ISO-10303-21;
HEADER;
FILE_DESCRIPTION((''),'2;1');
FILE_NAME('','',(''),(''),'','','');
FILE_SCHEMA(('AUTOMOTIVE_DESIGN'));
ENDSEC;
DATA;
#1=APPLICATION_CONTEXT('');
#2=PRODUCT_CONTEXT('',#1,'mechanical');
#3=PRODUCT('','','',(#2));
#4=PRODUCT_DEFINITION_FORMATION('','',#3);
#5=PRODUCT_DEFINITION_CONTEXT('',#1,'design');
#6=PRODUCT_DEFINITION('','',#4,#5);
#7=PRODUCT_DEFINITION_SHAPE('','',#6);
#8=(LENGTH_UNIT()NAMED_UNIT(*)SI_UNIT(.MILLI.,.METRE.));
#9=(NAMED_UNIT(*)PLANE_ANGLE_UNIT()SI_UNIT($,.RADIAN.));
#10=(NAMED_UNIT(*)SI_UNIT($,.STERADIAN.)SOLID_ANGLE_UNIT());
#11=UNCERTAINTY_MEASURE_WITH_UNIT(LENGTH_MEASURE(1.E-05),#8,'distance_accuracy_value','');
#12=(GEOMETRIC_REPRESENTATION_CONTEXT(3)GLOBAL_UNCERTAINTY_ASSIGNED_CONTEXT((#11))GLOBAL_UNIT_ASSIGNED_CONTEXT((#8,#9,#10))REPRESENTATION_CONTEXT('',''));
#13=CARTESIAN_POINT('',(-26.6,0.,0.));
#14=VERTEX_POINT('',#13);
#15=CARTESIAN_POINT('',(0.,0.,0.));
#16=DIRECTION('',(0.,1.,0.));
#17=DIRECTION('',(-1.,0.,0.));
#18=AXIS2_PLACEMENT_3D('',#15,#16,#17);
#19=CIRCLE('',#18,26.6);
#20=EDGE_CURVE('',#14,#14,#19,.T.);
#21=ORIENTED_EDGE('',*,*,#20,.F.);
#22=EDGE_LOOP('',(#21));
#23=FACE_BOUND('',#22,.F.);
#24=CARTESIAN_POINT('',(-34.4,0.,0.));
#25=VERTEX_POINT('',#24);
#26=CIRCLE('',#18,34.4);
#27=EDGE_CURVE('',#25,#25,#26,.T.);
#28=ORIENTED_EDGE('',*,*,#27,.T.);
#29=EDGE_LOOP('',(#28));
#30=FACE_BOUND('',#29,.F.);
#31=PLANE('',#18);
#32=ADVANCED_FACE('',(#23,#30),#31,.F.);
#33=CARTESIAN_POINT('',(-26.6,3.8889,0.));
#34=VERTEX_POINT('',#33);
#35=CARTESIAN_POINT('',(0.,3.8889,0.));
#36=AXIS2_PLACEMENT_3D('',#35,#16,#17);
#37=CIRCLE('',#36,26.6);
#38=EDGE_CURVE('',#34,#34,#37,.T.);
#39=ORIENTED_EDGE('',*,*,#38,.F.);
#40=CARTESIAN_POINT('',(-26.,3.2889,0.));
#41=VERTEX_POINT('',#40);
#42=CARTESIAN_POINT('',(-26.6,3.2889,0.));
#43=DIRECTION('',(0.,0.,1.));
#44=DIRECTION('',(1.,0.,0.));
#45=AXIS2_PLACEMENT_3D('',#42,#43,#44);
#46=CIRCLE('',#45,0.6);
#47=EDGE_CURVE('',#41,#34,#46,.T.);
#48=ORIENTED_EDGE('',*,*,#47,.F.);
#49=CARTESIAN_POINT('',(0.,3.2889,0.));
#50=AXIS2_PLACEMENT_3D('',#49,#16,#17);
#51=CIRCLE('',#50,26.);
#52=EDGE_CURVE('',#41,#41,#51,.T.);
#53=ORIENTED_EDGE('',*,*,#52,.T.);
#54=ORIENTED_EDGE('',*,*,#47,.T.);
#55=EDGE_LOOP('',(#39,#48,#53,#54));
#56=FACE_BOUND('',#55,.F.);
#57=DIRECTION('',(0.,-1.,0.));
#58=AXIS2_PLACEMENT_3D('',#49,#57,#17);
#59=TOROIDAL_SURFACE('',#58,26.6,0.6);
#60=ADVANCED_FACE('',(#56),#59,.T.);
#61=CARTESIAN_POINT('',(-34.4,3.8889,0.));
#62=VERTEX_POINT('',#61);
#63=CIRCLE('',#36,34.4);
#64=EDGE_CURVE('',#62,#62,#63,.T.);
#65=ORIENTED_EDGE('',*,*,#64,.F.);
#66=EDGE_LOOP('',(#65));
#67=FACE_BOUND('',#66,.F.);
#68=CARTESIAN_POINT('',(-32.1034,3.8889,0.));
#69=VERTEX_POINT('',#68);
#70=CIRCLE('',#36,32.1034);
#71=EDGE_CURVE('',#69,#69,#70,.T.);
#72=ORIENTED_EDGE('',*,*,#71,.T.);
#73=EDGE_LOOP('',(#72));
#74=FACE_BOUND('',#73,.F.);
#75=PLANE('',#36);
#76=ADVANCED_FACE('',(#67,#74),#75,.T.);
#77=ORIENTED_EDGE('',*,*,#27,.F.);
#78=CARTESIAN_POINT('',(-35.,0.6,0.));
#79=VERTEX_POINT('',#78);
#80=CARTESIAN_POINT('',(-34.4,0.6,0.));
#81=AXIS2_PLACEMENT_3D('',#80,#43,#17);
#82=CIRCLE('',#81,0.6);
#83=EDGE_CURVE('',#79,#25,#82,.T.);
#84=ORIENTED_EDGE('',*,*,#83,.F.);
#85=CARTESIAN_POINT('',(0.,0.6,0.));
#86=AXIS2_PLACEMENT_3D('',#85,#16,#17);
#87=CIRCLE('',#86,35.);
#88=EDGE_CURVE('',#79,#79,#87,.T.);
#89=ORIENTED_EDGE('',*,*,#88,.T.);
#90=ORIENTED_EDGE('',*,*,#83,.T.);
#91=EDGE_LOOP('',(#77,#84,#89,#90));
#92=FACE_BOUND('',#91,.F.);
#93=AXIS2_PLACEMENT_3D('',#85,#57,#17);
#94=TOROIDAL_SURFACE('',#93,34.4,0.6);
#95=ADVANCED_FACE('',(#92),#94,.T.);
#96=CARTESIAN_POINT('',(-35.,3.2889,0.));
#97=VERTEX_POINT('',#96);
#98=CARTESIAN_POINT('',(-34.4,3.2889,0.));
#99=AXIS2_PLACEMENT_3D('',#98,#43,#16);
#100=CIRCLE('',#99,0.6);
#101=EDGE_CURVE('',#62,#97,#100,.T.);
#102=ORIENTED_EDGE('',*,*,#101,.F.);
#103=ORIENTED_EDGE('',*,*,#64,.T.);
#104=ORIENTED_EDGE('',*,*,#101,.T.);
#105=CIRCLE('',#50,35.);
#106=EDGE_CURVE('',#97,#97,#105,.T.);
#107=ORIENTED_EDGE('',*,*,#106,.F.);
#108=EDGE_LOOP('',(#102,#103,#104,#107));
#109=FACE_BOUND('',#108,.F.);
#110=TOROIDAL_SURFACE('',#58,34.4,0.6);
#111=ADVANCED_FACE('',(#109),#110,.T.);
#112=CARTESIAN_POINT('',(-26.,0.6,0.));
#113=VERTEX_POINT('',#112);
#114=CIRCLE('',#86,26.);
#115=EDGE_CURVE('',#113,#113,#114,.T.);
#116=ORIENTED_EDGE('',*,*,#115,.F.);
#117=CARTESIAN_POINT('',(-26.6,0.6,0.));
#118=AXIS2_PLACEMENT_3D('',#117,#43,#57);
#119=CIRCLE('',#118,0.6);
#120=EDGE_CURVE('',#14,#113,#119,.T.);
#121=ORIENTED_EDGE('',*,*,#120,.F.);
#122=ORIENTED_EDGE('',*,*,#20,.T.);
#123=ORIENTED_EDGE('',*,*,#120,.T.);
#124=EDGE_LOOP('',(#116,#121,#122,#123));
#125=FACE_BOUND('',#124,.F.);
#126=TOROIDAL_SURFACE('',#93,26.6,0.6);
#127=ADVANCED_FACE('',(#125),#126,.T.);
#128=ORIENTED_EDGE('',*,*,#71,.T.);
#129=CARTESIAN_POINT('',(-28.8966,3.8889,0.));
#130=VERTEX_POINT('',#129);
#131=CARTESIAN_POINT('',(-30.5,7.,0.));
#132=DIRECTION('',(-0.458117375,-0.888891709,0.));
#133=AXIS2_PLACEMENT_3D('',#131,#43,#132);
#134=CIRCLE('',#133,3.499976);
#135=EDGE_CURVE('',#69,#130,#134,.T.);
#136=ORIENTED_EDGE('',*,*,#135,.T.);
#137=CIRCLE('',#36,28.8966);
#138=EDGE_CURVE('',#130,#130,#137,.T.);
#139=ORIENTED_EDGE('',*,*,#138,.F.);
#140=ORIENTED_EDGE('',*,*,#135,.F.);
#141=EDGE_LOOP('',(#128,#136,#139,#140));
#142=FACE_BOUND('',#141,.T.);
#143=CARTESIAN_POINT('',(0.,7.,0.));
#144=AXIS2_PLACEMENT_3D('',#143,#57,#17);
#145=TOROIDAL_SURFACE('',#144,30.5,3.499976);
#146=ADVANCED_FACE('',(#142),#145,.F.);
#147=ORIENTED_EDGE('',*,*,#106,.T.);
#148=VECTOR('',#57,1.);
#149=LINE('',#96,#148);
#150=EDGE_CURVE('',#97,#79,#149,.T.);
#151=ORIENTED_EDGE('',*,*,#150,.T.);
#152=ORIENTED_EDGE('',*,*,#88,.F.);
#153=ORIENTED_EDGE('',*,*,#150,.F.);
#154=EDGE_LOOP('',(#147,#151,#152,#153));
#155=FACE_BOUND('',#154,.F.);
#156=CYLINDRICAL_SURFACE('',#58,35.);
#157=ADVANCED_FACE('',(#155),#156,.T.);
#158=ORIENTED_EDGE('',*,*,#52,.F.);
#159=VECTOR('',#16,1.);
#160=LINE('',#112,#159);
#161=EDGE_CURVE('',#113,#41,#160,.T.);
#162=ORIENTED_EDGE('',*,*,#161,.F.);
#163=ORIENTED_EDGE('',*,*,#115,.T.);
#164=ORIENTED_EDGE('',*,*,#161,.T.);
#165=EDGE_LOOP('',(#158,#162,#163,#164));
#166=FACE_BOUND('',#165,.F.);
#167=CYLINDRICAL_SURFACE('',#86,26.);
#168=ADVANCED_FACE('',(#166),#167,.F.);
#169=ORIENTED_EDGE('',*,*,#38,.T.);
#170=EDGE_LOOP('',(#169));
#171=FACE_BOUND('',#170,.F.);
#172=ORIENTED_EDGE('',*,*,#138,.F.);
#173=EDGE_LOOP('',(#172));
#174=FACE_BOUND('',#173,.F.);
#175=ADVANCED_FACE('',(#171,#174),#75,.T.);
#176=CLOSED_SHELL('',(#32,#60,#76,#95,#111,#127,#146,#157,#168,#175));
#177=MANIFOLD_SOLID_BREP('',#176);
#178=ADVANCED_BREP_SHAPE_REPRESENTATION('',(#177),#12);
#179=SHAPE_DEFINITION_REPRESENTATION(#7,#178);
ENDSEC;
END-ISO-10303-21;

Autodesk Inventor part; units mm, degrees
sketch "Sketch_1" plane through (0, 0, 0) normal (0, 0, 1) x (0, 1, 0)
  line L0 (3.8889, 0) -> (0, 0)
  arc A0 (0, 26.6) -> (0.6, 26) centre (0.6, 26.6) ccw
  line L1 (0.6, 26) -> (3.2889, 26)
  arc A1 (3.2889, 26) -> (3.8889, 26.6) centre (3.2889, 26.6) ccw
  line L2 (3.8889, 26.6) -> (3.8889, 28.8966)
  arc A2 (3.8889, 32.1034) -> (3.8889, 28.8966) centre (7, 30.5) ccw
  line L3 (3.8889, 32.1034) -> (3.8889, 34.4)
  arc A3 (3.8889, 34.4) -> (3.2889, 35) centre (3.2889, 34.4) ccw
  line L4 (3.2889, 35) -> (0.6, 35)
  arc A4 (0.6, 35) -> (0, 34.4) centre (0.6, 34.4) ccw
  line L5 (0, 34.4) -> (0, 26.6)
revolve "Revolution1" add sketch "Sketch_1" angle 360 about axis through (0, 3.8889, 0) along (0, 1, 0)
ref_plane "HW_B_1_XY" through (-30.5, 7, 0) normal (0, 1, 0) x (0, 0, -1)
ref_plane "HW_B_1_YZ" through (-30.5, 7, 0) normal (0, 0, -1) x (-1, 0, 0)
ref_plane "HW_B_1_ZX" through (-30.5, 7, 0) normal (-1, 0, 0) x (0, 1, 0)
ref_plane "HW_B_10_XY" through (30.5, 7, 0) normal (0, 1, 0) x (0, 0, -1)
ref_plane "HW_B_10_YZ" through (30.5, 7, 0) normal (0, 0, -1) x (-1, 0, 0)
ref_plane "HW_B_10_ZX" through (30.5, 7, 0) normal (-1, 0, 0) x (0, 1, 0)
ref_plane "HW_B_11_XY" through (28.6606, 7, -10.4316) normal (0, 1, 0) x (0, 0, -1)
ref_plane "HW_B_11_YZ" through (28.6606, 7, -10.4316) normal (0, 0, -1) x (-1, 0, 0)
ref_plane "HW_B_11_ZX" through (28.6606, 7, -10.4316) normal (-1, 0, 0) x (0, 1, 0)
ref_plane "HW_B_12_XY" through (23.3644, 7, -19.605) normal (0, 1, 0) x (0, 0, -1)
ref_plane "HW_B_12_YZ" through (23.3644, 7, -19.605) normal (0, 0, -1) x (-1, 0, 0)
ref_plane "HW_B_12_ZX" through (23.3644, 7, -19.605) normal (-1, 0, 0) x (0, 1, 0)
ref_plane "HW_B_13_XY" through (15.25, 7, -26.4138) normal (0, 1, 0) x (0, 0, -1)
ref_plane "HW_B_13_YZ" through (15.25, 7, -26.4138) normal (0, 0, -1) x (-1, 0, 0)
ref_plane "HW_B_13_ZX" through (15.25, 7, -26.4138) normal (-1, 0, 0) x (0, 1, 0)
ref_plane "HW_B_14_XY" through (5.2963, 7, -30.0366) normal (0, 1, 0) x (0, 0, -1)
ref_plane "HW_B_14_YZ" through (5.2963, 7, -30.0366) normal (0, 0, -1) x (-1, 0, 0)
ref_plane "HW_B_14_ZX" through (5.2963, 7, -30.0366) normal (-1, 0, 0) x (0, 1, 0)
ref_plane "HW_B_15_XY" through (-5.2963, 7, -30.0366) normal (0, 1, 0) x (0, 0, -1)
ref_plane "HW_B_15_YZ" through (-5.2963, 7, -30.0366) normal (0, 0, -1) x (-1, 0, 0)
ref_plane "HW_B_15_ZX" through (-5.2963, 7, -30.0366) normal (-1, 0, 0) x (0, 1, 0)
ref_plane "HW_B_16_XY" through (-15.25, 7, -26.4138) normal (0, 1, 0) x (0, 0, -1)
ref_plane "HW_B_16_YZ" through (-15.25, 7, -26.4138) normal (0, 0, -1) x (-1, 0, 0)
ref_plane "HW_B_16_ZX" through (-15.25, 7, -26.4138) normal (-1, 0, 0) x (0, 1, 0)
ref_plane "HW_B_17_XY" through (-23.3644, 7, -19.605) normal (0, 1, 0) x (0, 0, -1)
ref_plane "HW_B_17_YZ" through (-23.3644, 7, -19.605) normal (0, 0, -1) x (-1, 0, 0)
ref_plane "HW_B_17_ZX" through (-23.3644, 7, -19.605) normal (-1, 0, 0) x (0, 1, 0)
ref_plane "HW_B_18_XY" through (-28.6606, 7, -10.4316) normal (0, 1, 0) x (0, 0, -1)
ref_plane "HW_B_18_YZ" through (-28.6606, 7, -10.4316) normal (0, 0, -1) x (-1, 0, 0)
ref_plane "HW_B_18_ZX" through (-28.6606, 7, -10.4316) normal (-1, 0, 0) x (0, 1, 0)
ref_plane "HW_B_2_XY" through (-28.6606, 7, 10.4316) normal (0, 1, 0) x (0, 0, -1)
ref_plane "HW_B_2_YZ" through (-28.6606, 7, 10.4316) normal (0, 0, -1) x (-1, 0, 0)
ref_plane "HW_B_2_ZX" through (-28.6606, 7, 10.4316) normal (-1, 0, 0) x (0, 1, 0)
ref_plane "HW_B_3_XY" through (-23.3644, 7, 19.605) normal (0, 1, 0) x (0, 0, -1)
ref_plane "HW_B_3_YZ" through (-23.3644, 7, 19.605) normal (0, 0, -1) x (-1, 0, 0)
ref_plane "HW_B_3_ZX" through (-23.3644, 7, 19.605) normal (-1, 0, 0) x (0, 1, 0)
ref_plane "HW_B_4_XY" through (-15.25, 7, 26.4138) normal (0, 1, 0) x (0, 0, -1)
ref_plane "HW_B_4_YZ" through (-15.25, 7, 26.4138) normal (0, 0, -1) x (-1, 0, 0)
ref_plane "HW_B_4_ZX" through (-15.25, 7, 26.4138) normal (-1, 0, 0) x (0, 1, 0)
ref_plane "HW_B_5_XY" through (-5.2963, 7, 30.0366) normal (0, 1, 0) x (0, 0, -1)
ref_plane "HW_B_5_YZ" through (-5.2963, 7, 30.0366) normal (0, 0, -1) x (-1, 0, 0)
ref_plane "HW_B_5_ZX" through (-5.2963, 7, 30.0366) normal (-1, 0, 0) x (0, 1, 0)
ref_plane "HW_B_6_XY" through (5.2963, 7, 30.0366) normal (0, 1, 0) x (0, 0, -1)
ref_plane "HW_B_6_YZ" through (5.2963, 7, 30.0366) normal (0, 0, -1) x (-1, 0, 0)
ref_plane "HW_B_6_ZX" through (5.2963, 7, 30.0366) normal (-1, 0, 0) x (0, 1, 0)
ref_plane "HW_B_7_XY" through (15.25, 7, 26.4138) normal (0, 1, 0) x (0, 0, -1)
ref_plane "HW_B_7_YZ" through (15.25, 7, 26.4138) normal (0, 0, -1) x (-1, 0, 0)
ref_plane "HW_B_7_ZX" through (15.25, 7, 26.4138) normal (-1, 0, 0) x (0, 1, 0)
ref_plane "HW_B_8_XY" through (23.3644, 7, 19.605) normal (0, 1, 0) x (0, 0, -1)
ref_plane "HW_B_8_YZ" through (23.3644, 7, 19.605) normal (0, 0, -1) x (-1, 0, 0)
ref_plane "HW_B_8_ZX" through (23.3644, 7, 19.605) normal (-1, 0, 0) x (0, 1, 0)
ref_plane "HW_B_9_XY" through (28.6606, 7, 10.4316) normal (0, 1, 0) x (0, 0, -1)
ref_plane "HW_B_9_YZ" through (28.6606, 7, 10.4316) normal (0, 0, -1) x (-1, 0, 0)
ref_plane "HW_B_9_ZX" through (28.6606, 7, 10.4316) normal (-1, 0, 0) x (0, 1, 0)
ref_plane "HW_SW_XY" through (0, 0, 0) normal (0, 1, 0) x (0, 0, -1)
ref_plane "HW_SW_YZ" through (0, 0, 0) normal (0, 0, -1) x (-1, 0, 0)
ref_plane "HW_SW_ZX" through (0, 0, 0) normal (-1, 0, 0) x (0, 1, 0)
properties part number "51110 Housing washer"
